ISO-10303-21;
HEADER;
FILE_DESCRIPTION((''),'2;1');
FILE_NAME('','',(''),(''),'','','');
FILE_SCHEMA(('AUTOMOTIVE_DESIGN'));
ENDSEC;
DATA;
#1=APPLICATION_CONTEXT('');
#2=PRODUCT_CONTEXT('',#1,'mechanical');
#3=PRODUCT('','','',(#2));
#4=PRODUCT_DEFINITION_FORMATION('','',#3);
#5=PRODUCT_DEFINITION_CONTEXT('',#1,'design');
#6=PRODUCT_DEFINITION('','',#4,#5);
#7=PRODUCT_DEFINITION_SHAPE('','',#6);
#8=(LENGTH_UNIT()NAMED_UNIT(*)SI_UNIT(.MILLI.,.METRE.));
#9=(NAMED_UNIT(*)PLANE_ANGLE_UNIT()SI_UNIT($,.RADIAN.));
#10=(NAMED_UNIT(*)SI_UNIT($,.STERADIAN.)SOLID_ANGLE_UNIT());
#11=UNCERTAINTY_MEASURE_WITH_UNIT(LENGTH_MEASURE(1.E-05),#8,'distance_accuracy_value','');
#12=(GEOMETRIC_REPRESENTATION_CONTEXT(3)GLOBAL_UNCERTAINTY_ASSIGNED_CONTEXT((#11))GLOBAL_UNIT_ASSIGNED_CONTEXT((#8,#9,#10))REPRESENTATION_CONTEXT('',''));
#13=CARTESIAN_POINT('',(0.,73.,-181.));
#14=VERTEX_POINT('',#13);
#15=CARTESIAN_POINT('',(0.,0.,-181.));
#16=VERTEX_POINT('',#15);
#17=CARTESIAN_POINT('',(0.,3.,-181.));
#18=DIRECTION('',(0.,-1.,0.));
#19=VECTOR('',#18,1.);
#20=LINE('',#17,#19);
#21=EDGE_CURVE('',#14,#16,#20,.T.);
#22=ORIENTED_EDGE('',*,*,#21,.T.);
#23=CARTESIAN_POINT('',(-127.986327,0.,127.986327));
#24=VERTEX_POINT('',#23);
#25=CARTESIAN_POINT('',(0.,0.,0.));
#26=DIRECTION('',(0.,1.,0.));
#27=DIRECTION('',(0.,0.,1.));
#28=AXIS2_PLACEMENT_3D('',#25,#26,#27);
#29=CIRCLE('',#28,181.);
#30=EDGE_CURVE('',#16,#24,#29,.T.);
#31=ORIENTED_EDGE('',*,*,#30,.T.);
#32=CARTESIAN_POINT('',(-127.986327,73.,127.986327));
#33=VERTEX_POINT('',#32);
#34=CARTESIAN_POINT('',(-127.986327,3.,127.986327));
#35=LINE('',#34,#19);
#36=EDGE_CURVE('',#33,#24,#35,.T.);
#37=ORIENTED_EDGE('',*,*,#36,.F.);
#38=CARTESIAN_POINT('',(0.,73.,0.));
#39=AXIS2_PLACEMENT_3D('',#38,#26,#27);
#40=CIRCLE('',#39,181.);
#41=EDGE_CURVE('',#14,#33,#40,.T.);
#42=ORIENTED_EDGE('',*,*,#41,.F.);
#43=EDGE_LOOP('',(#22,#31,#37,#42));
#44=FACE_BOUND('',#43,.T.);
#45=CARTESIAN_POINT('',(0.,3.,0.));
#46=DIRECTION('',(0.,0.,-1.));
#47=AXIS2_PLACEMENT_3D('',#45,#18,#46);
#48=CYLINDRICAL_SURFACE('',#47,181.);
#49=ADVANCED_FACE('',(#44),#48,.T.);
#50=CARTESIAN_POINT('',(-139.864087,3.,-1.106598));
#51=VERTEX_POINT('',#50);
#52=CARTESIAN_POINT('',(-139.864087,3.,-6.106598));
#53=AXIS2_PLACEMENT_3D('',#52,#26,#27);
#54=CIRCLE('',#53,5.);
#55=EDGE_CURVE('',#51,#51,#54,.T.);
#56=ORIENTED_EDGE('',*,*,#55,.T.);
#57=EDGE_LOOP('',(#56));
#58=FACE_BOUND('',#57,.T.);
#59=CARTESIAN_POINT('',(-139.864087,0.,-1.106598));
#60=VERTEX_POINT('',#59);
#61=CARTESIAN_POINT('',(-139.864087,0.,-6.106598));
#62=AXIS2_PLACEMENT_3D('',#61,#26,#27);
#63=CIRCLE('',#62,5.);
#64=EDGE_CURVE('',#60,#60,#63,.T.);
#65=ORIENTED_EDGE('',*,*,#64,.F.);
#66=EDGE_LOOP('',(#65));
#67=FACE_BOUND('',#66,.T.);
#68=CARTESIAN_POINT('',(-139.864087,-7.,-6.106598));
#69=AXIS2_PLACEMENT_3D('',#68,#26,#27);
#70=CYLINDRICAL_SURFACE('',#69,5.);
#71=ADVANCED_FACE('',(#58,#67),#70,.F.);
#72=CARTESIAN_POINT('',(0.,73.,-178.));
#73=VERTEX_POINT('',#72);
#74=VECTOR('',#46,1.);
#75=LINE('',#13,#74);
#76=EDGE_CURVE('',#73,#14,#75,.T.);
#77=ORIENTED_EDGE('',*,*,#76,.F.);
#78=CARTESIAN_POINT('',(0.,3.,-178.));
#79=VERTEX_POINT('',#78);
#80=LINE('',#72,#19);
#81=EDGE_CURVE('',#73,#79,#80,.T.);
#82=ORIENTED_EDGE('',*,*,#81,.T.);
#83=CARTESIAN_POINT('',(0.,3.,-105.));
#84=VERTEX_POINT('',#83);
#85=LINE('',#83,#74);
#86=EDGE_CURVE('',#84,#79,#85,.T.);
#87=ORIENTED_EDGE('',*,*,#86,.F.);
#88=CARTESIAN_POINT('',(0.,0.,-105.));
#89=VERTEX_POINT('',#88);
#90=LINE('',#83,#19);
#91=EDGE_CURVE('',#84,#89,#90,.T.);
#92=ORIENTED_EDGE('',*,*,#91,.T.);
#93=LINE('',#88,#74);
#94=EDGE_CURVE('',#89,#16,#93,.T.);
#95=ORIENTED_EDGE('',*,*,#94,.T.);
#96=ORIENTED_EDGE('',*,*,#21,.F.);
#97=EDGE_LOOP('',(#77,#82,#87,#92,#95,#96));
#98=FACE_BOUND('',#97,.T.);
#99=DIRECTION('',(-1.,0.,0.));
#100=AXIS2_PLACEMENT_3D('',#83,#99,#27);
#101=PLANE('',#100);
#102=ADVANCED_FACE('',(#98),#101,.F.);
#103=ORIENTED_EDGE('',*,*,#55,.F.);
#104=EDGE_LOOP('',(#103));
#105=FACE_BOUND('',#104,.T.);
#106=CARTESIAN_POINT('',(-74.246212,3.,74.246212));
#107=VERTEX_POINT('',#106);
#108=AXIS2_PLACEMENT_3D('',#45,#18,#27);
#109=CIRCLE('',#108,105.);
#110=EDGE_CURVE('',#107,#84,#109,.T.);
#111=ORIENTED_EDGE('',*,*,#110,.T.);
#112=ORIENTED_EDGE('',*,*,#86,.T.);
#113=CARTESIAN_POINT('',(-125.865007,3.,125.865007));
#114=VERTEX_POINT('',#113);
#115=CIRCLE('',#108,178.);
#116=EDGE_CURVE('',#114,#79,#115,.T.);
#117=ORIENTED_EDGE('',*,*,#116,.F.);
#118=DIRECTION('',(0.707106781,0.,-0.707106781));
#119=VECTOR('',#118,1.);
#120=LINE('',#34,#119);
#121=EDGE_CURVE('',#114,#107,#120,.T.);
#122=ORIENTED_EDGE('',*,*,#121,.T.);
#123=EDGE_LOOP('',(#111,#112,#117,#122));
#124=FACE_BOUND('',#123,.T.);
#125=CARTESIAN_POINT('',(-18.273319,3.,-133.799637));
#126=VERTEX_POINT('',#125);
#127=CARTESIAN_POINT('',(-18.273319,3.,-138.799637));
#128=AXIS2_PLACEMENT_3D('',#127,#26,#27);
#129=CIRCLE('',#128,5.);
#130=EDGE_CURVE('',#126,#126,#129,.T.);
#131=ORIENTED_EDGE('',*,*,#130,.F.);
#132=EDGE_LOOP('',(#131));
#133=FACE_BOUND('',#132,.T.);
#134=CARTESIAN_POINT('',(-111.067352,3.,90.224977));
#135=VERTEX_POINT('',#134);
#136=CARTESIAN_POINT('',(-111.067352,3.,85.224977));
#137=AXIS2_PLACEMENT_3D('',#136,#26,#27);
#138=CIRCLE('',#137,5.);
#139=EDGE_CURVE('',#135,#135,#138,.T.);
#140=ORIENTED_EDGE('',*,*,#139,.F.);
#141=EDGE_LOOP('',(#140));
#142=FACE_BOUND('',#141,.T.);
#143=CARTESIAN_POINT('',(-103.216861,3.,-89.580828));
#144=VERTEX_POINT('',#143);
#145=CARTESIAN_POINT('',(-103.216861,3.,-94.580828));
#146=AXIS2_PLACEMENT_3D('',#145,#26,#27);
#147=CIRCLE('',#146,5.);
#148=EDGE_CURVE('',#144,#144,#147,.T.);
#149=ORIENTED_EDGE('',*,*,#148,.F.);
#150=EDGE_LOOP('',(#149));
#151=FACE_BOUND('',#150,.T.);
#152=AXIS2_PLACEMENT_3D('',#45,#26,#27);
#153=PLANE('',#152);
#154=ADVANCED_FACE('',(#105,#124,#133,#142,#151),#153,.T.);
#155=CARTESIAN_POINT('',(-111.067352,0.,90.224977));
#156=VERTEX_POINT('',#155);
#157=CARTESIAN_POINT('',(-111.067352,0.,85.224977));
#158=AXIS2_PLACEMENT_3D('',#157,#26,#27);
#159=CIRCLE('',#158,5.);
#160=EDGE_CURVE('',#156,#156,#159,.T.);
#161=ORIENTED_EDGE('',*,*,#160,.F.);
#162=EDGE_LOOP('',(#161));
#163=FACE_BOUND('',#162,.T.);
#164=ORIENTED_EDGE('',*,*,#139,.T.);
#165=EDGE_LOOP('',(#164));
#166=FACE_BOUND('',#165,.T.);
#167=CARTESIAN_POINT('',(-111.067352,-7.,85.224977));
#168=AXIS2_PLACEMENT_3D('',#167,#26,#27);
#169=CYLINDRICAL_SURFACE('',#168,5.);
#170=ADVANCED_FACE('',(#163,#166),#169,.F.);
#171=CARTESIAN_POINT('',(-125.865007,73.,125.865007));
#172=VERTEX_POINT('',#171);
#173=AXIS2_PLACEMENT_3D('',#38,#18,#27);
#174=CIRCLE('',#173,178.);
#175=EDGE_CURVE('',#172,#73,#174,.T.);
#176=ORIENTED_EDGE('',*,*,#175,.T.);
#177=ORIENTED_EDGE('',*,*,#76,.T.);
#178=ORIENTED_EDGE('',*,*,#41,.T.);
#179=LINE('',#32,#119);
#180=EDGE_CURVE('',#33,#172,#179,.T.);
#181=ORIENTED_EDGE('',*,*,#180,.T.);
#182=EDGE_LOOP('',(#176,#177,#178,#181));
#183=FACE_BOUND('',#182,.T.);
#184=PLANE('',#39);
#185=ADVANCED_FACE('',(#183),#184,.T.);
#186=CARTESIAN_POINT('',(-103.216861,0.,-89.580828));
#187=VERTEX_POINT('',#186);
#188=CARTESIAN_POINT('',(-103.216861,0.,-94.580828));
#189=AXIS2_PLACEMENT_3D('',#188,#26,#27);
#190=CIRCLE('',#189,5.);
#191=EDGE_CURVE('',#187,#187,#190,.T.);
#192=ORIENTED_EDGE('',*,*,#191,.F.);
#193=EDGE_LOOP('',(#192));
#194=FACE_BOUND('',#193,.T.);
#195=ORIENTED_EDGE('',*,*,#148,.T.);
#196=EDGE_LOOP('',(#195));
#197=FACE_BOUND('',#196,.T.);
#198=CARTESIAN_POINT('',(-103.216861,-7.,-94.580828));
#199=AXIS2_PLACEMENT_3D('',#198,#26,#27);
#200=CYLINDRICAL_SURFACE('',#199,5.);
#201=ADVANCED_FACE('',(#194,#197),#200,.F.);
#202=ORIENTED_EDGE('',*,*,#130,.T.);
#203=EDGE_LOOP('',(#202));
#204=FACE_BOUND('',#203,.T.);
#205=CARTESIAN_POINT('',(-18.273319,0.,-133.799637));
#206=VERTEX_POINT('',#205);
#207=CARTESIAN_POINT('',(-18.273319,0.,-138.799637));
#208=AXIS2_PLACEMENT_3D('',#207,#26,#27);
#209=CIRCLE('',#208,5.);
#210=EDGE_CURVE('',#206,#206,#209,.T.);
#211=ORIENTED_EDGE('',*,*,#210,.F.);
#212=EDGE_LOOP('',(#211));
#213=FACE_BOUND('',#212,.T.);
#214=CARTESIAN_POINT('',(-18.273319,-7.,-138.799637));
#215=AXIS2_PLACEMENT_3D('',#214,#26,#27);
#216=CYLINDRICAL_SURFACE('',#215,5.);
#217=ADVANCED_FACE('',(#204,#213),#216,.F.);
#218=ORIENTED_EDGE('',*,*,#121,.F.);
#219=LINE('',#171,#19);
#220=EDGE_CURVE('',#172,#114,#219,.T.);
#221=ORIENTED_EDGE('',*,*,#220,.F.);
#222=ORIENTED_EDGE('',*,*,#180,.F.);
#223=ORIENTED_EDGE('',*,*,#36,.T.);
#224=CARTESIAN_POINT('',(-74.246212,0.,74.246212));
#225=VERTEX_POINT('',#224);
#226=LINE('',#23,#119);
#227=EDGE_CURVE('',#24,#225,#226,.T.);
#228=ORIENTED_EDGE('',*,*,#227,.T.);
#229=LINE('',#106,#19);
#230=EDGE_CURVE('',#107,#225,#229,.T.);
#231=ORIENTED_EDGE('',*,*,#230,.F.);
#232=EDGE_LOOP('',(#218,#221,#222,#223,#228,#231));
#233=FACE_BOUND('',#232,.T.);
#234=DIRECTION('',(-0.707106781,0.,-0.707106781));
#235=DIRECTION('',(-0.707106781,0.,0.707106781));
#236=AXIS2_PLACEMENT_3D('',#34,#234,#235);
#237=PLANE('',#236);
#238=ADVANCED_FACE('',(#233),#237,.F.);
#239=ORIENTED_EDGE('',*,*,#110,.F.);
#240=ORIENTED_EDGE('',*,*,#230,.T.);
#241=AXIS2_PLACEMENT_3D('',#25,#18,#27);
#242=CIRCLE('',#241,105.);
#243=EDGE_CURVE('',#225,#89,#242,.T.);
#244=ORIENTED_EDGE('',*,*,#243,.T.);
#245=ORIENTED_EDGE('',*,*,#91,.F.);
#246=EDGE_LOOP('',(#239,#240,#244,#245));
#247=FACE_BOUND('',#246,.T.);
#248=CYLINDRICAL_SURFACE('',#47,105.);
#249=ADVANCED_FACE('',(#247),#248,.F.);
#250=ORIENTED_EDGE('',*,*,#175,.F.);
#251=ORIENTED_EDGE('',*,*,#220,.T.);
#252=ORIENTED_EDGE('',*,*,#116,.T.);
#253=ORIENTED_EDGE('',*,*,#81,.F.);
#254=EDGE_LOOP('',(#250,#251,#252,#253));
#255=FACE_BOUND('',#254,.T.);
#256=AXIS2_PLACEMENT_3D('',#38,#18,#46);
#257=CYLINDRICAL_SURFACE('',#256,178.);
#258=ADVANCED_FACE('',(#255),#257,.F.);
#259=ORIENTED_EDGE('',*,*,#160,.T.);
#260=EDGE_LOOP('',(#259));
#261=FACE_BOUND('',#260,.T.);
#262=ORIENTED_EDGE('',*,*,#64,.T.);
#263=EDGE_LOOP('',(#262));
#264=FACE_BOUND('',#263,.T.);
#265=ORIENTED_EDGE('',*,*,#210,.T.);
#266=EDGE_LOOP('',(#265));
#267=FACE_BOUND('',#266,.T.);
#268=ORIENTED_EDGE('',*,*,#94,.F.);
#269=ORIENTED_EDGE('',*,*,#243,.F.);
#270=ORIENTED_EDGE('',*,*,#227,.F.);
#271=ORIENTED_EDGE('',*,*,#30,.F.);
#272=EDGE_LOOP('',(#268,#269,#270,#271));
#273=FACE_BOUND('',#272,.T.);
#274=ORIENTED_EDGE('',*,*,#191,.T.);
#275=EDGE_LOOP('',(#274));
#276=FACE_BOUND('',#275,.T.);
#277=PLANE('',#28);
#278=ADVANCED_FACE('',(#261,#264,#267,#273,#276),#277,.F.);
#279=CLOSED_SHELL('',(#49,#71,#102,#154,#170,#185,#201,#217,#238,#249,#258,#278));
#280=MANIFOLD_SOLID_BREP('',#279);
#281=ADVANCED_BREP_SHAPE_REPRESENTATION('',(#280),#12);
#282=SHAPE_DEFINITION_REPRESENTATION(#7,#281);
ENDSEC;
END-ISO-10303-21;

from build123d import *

# Parameters (mm, degrees)
BOSS_EXTRUDE3_DEPTH = 3
BOSS_EXTRUDE4_DEPTH = 70
SKETCH6_R           = 5
CUT_EXTRUDE2_DEPTH  = 10


with BuildPart() as part:
    # Sketch1 → Boss-Extrude3 (new body)
    with BuildSketch(Plane(origin=(0, 0, 0), x_dir=(1, 0, 0), z_dir=(0, 1, 0))):
        with BuildLine():
            Line((0, 105), (0, 181))
            ThreePointArc((0, 181), (-167.222195385, 69.265701258), (-127.986327395, -127.986327395))
            Line((-127.986327395, -127.986327395), (-74.246212025, -74.246212025))
            ThreePointArc((-74.246212025, -74.246212025), (-97.007350914, 40.181760398), (0, 105))
        make_face()
    extrude(amount=BOSS_EXTRUDE3_DEPTH)

    # Sketch5 → Boss-Extrude4 (add)
    with BuildSketch(Plane(origin=(0, 3, 0), x_dir=(1, 0, 0), z_dir=(0, 1, 0))):
        with BuildLine():
            Line((0, 181), (0, 178))
            ThreePointArc((0, 178), (-164.450556787, 68.117650961), (-125.865007051, -125.865007051))
            Line((-125.865007051, -125.865007051), (-127.986327395, -127.986327395))
            ThreePointArc((-127.986327395, -127.986327395), (-167.222195385, 69.265701258), (0, 181))
        make_face()
    extrude(amount=BOSS_EXTRUDE4_DEPTH)

    # Sketch6 → Cut-Extrude2 (cut)
    with BuildSketch(Plane(origin=(0, 3, 0), x_dir=(1, 0, 0), z_dir=(0, 1, 0))):
        with Locations((-139.864087078, 6.106597921)):
            Circle(SKETCH6_R)
        with Locations((-111.067352179, -85.224976811)):
            Circle(SKETCH6_R)
        with Locations((-103.216861218, 94.580827618)):
            Circle(SKETCH6_R)
        with Locations((-18.273318865, 138.799636924)):
            Circle(SKETCH6_R)
    extrude(amount=-CUT_EXTRUDE2_DEPTH, mode=Mode.SUBTRACT)


solid = part.part
